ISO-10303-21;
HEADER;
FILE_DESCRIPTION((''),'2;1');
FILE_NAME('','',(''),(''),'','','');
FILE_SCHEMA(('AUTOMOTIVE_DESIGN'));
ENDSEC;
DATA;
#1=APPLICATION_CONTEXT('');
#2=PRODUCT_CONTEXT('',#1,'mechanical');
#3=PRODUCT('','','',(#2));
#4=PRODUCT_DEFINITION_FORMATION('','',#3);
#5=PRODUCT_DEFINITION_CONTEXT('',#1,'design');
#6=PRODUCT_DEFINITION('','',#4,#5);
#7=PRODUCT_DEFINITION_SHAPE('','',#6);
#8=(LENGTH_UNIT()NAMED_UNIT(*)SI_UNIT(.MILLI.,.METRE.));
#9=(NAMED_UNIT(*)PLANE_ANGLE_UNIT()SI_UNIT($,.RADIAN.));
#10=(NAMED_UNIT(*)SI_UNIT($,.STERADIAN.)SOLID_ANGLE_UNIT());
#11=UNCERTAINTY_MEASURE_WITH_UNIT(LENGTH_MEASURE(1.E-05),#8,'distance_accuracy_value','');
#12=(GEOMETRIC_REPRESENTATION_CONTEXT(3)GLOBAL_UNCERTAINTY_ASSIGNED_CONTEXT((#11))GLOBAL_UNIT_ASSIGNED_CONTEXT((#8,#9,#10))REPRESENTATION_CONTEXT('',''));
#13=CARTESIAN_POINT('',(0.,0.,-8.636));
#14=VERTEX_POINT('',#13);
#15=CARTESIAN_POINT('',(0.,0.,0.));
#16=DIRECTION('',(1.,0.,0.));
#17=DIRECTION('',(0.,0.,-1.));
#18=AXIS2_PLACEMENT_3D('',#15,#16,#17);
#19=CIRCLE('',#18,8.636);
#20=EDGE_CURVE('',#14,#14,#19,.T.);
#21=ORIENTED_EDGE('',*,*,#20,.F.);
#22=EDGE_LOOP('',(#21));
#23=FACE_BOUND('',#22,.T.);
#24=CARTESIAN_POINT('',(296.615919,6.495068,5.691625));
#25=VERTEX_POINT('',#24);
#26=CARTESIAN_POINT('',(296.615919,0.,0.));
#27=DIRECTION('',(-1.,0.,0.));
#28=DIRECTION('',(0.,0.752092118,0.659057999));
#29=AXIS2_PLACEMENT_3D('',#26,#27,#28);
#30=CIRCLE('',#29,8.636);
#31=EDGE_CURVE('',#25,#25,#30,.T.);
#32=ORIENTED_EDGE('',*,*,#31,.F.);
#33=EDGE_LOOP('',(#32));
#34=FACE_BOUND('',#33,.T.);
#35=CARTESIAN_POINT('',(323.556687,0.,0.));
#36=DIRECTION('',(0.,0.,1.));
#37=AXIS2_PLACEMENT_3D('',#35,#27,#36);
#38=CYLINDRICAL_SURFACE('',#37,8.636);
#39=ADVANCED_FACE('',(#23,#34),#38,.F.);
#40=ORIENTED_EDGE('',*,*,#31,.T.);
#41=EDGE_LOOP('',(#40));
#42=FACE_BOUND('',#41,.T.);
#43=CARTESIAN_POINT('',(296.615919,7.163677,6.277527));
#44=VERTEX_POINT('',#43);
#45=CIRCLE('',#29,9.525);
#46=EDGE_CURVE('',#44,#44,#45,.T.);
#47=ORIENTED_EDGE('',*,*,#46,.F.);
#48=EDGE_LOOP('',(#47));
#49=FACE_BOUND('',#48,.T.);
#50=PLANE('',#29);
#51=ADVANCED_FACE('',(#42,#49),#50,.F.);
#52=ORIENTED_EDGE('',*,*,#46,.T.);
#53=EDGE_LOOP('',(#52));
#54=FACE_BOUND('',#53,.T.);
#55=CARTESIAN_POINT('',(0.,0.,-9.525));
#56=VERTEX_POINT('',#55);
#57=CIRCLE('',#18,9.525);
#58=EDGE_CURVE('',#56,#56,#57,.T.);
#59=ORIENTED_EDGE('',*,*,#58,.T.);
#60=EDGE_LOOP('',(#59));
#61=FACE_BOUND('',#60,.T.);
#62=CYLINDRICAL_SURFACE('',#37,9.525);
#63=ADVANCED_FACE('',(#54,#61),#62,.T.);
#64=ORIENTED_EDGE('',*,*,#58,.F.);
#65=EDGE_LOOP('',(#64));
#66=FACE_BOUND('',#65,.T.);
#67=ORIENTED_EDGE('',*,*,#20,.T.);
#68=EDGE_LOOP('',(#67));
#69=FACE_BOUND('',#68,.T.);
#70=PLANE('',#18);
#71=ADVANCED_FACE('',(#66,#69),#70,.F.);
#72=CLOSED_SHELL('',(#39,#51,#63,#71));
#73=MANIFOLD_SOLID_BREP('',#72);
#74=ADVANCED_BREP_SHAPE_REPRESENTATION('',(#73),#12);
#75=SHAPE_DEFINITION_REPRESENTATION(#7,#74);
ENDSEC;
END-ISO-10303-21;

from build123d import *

# Parameters (mm, degrees)
SKETCH1_R           = 9.525
SKETCH1_R_2         = 8.636
BOSS_EXTRUDE1_DEPTH = 296.615918795


with BuildPart() as part:
    # Sketch1 → Boss-Extrude1 (new body)
    with BuildSketch(Plane(origin=(0, 0, 0), x_dir=(0, 0, -1), z_dir=(1, 0, 0))):
        with Locations(Location((0, 0, 0), (0, 0, 131.22806994))):
            Circle(SKETCH1_R)
        with Locations(Location((0, 0, 0), (0, 0, 131.22806994))):
            Circle(SKETCH1_R_2, mode=Mode.SUBTRACT)
    extrude(amount=BOSS_EXTRUDE1_DEPTH)


solid = part.part
